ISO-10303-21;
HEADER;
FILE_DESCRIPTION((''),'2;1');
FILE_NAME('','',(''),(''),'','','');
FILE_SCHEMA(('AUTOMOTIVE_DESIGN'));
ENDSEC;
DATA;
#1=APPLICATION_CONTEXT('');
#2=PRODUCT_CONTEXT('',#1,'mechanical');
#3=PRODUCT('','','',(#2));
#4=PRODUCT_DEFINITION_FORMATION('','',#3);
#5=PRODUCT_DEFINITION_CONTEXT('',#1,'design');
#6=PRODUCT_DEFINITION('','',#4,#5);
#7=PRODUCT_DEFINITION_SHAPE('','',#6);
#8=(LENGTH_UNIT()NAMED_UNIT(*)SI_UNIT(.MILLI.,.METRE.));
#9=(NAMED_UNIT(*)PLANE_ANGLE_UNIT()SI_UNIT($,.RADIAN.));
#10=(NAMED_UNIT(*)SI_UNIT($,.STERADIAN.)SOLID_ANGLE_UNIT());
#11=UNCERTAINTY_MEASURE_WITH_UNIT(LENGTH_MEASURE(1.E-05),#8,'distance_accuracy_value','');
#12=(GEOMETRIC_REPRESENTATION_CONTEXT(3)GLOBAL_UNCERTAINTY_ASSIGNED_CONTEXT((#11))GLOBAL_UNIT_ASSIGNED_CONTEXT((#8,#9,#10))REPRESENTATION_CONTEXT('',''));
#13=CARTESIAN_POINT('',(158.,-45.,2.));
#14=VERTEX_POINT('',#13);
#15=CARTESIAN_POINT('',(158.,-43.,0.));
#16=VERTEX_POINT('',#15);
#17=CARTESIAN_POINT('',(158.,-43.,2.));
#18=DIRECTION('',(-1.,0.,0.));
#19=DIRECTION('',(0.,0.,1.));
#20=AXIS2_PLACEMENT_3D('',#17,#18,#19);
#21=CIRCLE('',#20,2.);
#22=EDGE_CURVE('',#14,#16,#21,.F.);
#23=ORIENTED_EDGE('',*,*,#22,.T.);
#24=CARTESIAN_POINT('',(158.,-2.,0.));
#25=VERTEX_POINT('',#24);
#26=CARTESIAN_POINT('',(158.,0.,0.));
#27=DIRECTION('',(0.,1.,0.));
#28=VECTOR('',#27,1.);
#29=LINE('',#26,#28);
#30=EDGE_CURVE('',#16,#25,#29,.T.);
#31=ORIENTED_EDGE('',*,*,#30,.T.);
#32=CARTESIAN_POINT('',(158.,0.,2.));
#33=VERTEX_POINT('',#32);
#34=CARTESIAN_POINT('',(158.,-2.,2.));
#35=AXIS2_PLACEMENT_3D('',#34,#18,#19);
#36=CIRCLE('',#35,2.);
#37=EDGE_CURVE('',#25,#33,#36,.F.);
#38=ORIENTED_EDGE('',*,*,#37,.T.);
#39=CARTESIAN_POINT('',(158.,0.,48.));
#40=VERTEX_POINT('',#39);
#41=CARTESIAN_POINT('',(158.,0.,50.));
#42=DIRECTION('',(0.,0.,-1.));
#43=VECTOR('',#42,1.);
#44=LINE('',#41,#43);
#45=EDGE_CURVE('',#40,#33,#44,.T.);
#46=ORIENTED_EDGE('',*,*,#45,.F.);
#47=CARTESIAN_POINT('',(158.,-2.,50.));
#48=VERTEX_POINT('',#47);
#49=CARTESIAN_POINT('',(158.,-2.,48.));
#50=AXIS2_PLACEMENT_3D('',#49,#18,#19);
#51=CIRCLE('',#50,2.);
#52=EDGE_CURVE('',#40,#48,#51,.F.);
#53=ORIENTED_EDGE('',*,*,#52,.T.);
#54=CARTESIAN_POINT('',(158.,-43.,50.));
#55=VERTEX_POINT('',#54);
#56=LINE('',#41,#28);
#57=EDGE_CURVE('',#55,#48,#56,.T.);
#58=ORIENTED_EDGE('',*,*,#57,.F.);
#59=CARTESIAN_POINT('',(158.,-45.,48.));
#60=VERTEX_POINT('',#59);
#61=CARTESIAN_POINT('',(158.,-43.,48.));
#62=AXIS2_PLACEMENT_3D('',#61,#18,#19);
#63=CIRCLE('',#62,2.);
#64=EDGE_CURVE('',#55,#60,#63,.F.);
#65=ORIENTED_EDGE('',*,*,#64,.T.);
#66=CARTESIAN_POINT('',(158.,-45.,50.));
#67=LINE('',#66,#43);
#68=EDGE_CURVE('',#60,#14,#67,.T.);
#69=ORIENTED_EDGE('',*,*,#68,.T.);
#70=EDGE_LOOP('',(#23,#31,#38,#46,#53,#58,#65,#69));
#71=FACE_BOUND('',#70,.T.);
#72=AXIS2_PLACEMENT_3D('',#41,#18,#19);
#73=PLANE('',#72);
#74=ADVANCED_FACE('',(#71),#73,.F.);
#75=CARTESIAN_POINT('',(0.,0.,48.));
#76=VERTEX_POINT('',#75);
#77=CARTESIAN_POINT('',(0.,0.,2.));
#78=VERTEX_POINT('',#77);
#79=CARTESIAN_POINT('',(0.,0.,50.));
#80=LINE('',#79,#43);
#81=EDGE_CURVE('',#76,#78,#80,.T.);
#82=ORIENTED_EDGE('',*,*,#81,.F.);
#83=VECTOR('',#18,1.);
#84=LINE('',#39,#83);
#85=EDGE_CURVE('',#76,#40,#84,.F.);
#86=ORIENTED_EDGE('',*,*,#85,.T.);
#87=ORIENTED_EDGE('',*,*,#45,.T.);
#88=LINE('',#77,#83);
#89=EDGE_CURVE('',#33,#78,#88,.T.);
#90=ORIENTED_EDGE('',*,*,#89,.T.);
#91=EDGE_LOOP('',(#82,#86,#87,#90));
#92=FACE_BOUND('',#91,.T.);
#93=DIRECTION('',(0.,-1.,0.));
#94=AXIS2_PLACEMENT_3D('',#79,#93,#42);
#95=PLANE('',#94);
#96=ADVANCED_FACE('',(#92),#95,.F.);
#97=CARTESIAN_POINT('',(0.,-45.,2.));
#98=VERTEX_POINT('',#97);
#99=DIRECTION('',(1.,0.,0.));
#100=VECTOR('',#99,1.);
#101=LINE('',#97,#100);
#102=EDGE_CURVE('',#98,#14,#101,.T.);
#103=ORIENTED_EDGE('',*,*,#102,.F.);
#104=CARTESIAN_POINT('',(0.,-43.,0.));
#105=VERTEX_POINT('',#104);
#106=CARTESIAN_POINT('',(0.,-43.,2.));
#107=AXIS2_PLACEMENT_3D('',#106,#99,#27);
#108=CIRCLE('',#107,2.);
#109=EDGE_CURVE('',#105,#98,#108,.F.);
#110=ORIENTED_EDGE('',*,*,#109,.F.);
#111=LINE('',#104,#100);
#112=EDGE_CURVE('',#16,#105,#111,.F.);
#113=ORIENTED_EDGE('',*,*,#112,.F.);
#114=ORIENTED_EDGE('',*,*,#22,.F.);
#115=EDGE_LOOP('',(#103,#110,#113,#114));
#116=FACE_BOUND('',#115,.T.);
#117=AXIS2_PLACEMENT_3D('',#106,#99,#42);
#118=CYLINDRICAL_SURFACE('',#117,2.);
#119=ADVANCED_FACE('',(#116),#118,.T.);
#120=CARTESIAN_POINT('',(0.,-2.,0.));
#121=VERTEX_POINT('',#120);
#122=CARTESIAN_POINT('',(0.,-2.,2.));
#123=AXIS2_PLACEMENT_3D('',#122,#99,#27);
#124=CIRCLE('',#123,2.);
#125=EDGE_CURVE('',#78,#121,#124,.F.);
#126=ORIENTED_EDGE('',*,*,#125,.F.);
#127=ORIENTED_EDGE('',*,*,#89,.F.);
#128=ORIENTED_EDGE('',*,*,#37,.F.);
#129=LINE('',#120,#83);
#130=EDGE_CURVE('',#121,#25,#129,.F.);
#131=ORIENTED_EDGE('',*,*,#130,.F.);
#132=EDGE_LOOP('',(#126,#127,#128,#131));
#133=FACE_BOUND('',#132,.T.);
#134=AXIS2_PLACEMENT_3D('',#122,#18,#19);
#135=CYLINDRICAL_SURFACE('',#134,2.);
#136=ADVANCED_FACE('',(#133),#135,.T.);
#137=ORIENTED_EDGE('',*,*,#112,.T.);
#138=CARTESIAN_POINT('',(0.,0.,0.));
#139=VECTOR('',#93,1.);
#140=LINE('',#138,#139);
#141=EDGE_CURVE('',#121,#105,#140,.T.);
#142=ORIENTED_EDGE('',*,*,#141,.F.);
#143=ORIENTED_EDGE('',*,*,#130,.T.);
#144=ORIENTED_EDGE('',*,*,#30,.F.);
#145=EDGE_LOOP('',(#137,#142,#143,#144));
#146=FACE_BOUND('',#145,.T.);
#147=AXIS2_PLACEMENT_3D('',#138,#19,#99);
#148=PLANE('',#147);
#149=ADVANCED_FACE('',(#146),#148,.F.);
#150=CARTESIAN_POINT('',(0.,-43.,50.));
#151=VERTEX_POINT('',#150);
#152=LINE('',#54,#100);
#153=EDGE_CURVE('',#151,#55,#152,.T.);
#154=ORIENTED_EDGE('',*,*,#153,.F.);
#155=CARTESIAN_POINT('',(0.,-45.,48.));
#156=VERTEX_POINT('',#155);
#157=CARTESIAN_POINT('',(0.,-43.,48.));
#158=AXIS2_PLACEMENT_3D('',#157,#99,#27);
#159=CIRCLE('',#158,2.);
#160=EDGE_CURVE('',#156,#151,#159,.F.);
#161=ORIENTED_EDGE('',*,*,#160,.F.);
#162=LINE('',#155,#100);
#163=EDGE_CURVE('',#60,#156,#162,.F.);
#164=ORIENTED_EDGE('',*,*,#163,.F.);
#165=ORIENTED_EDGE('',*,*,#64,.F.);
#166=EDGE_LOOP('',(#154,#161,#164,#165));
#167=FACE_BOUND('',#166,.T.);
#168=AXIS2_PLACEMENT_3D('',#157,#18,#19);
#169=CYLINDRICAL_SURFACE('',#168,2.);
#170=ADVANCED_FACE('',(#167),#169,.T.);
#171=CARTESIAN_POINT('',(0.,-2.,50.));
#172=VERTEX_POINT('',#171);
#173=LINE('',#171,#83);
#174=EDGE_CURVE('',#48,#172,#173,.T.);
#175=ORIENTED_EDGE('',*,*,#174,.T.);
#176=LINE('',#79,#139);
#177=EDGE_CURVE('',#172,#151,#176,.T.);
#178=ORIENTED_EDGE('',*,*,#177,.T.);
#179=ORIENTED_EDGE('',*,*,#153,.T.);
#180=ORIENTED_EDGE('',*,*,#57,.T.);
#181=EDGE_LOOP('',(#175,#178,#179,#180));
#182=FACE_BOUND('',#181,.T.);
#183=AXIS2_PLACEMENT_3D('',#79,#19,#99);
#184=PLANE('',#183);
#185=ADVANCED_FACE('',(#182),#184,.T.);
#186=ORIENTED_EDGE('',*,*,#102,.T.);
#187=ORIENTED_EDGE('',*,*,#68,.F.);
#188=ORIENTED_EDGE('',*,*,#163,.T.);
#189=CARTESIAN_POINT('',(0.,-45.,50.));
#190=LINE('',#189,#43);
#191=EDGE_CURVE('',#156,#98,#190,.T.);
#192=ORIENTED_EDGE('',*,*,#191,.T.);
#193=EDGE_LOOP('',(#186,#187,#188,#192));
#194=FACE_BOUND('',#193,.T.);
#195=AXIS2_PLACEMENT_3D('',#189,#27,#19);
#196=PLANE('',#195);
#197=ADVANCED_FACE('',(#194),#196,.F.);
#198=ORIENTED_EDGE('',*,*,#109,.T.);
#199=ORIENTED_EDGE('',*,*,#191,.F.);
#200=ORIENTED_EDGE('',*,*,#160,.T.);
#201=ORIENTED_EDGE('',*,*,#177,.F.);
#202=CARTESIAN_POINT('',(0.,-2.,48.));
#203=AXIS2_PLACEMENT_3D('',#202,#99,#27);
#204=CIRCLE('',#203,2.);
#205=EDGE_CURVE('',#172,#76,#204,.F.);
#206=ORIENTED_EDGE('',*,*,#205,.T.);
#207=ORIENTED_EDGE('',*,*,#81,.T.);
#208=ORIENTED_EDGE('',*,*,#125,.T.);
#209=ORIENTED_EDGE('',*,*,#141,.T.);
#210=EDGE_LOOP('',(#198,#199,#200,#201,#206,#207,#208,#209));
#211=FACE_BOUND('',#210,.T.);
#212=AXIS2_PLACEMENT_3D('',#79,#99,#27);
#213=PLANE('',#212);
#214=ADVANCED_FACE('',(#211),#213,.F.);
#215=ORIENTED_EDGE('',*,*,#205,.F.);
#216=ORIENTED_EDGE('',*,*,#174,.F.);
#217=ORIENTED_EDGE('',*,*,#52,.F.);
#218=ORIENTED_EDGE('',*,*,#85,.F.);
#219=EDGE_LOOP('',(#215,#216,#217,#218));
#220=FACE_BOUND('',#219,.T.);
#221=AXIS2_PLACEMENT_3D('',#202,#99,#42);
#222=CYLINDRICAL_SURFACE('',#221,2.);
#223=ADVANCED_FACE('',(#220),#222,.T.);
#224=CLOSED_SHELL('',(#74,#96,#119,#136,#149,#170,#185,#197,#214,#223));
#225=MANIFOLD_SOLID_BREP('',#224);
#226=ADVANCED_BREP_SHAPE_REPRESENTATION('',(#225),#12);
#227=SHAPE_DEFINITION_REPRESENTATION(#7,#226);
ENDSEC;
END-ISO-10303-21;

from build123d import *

# Parameters (mm, degrees)
SKETCH_1_W      = 158
SKETCH_1_H      = 45
EXTRUDE_1_DEPTH = 50
FILLET_1_R      = 2


with BuildPart() as part:
    # 草图1 → 凸台-拉伸1 (new body)
    with BuildSketch(Plane.XY):
        with Locations((79, -22.5)):
            Rectangle(SKETCH_1_W, SKETCH_1_H)
    extrude(amount=EXTRUDE_1_DEPTH)

    # 圆角1
    fillet_1_edges = [part.edges().sort_by_distance(p)[0] for p in [
        (79, 0, 50),
        (79, 0, 0),
        (79, -45, 0),
        (79, -45, 50),
    ]]
    fillet(fillet_1_edges, radius=FILLET_1_R)


solid = part.part
